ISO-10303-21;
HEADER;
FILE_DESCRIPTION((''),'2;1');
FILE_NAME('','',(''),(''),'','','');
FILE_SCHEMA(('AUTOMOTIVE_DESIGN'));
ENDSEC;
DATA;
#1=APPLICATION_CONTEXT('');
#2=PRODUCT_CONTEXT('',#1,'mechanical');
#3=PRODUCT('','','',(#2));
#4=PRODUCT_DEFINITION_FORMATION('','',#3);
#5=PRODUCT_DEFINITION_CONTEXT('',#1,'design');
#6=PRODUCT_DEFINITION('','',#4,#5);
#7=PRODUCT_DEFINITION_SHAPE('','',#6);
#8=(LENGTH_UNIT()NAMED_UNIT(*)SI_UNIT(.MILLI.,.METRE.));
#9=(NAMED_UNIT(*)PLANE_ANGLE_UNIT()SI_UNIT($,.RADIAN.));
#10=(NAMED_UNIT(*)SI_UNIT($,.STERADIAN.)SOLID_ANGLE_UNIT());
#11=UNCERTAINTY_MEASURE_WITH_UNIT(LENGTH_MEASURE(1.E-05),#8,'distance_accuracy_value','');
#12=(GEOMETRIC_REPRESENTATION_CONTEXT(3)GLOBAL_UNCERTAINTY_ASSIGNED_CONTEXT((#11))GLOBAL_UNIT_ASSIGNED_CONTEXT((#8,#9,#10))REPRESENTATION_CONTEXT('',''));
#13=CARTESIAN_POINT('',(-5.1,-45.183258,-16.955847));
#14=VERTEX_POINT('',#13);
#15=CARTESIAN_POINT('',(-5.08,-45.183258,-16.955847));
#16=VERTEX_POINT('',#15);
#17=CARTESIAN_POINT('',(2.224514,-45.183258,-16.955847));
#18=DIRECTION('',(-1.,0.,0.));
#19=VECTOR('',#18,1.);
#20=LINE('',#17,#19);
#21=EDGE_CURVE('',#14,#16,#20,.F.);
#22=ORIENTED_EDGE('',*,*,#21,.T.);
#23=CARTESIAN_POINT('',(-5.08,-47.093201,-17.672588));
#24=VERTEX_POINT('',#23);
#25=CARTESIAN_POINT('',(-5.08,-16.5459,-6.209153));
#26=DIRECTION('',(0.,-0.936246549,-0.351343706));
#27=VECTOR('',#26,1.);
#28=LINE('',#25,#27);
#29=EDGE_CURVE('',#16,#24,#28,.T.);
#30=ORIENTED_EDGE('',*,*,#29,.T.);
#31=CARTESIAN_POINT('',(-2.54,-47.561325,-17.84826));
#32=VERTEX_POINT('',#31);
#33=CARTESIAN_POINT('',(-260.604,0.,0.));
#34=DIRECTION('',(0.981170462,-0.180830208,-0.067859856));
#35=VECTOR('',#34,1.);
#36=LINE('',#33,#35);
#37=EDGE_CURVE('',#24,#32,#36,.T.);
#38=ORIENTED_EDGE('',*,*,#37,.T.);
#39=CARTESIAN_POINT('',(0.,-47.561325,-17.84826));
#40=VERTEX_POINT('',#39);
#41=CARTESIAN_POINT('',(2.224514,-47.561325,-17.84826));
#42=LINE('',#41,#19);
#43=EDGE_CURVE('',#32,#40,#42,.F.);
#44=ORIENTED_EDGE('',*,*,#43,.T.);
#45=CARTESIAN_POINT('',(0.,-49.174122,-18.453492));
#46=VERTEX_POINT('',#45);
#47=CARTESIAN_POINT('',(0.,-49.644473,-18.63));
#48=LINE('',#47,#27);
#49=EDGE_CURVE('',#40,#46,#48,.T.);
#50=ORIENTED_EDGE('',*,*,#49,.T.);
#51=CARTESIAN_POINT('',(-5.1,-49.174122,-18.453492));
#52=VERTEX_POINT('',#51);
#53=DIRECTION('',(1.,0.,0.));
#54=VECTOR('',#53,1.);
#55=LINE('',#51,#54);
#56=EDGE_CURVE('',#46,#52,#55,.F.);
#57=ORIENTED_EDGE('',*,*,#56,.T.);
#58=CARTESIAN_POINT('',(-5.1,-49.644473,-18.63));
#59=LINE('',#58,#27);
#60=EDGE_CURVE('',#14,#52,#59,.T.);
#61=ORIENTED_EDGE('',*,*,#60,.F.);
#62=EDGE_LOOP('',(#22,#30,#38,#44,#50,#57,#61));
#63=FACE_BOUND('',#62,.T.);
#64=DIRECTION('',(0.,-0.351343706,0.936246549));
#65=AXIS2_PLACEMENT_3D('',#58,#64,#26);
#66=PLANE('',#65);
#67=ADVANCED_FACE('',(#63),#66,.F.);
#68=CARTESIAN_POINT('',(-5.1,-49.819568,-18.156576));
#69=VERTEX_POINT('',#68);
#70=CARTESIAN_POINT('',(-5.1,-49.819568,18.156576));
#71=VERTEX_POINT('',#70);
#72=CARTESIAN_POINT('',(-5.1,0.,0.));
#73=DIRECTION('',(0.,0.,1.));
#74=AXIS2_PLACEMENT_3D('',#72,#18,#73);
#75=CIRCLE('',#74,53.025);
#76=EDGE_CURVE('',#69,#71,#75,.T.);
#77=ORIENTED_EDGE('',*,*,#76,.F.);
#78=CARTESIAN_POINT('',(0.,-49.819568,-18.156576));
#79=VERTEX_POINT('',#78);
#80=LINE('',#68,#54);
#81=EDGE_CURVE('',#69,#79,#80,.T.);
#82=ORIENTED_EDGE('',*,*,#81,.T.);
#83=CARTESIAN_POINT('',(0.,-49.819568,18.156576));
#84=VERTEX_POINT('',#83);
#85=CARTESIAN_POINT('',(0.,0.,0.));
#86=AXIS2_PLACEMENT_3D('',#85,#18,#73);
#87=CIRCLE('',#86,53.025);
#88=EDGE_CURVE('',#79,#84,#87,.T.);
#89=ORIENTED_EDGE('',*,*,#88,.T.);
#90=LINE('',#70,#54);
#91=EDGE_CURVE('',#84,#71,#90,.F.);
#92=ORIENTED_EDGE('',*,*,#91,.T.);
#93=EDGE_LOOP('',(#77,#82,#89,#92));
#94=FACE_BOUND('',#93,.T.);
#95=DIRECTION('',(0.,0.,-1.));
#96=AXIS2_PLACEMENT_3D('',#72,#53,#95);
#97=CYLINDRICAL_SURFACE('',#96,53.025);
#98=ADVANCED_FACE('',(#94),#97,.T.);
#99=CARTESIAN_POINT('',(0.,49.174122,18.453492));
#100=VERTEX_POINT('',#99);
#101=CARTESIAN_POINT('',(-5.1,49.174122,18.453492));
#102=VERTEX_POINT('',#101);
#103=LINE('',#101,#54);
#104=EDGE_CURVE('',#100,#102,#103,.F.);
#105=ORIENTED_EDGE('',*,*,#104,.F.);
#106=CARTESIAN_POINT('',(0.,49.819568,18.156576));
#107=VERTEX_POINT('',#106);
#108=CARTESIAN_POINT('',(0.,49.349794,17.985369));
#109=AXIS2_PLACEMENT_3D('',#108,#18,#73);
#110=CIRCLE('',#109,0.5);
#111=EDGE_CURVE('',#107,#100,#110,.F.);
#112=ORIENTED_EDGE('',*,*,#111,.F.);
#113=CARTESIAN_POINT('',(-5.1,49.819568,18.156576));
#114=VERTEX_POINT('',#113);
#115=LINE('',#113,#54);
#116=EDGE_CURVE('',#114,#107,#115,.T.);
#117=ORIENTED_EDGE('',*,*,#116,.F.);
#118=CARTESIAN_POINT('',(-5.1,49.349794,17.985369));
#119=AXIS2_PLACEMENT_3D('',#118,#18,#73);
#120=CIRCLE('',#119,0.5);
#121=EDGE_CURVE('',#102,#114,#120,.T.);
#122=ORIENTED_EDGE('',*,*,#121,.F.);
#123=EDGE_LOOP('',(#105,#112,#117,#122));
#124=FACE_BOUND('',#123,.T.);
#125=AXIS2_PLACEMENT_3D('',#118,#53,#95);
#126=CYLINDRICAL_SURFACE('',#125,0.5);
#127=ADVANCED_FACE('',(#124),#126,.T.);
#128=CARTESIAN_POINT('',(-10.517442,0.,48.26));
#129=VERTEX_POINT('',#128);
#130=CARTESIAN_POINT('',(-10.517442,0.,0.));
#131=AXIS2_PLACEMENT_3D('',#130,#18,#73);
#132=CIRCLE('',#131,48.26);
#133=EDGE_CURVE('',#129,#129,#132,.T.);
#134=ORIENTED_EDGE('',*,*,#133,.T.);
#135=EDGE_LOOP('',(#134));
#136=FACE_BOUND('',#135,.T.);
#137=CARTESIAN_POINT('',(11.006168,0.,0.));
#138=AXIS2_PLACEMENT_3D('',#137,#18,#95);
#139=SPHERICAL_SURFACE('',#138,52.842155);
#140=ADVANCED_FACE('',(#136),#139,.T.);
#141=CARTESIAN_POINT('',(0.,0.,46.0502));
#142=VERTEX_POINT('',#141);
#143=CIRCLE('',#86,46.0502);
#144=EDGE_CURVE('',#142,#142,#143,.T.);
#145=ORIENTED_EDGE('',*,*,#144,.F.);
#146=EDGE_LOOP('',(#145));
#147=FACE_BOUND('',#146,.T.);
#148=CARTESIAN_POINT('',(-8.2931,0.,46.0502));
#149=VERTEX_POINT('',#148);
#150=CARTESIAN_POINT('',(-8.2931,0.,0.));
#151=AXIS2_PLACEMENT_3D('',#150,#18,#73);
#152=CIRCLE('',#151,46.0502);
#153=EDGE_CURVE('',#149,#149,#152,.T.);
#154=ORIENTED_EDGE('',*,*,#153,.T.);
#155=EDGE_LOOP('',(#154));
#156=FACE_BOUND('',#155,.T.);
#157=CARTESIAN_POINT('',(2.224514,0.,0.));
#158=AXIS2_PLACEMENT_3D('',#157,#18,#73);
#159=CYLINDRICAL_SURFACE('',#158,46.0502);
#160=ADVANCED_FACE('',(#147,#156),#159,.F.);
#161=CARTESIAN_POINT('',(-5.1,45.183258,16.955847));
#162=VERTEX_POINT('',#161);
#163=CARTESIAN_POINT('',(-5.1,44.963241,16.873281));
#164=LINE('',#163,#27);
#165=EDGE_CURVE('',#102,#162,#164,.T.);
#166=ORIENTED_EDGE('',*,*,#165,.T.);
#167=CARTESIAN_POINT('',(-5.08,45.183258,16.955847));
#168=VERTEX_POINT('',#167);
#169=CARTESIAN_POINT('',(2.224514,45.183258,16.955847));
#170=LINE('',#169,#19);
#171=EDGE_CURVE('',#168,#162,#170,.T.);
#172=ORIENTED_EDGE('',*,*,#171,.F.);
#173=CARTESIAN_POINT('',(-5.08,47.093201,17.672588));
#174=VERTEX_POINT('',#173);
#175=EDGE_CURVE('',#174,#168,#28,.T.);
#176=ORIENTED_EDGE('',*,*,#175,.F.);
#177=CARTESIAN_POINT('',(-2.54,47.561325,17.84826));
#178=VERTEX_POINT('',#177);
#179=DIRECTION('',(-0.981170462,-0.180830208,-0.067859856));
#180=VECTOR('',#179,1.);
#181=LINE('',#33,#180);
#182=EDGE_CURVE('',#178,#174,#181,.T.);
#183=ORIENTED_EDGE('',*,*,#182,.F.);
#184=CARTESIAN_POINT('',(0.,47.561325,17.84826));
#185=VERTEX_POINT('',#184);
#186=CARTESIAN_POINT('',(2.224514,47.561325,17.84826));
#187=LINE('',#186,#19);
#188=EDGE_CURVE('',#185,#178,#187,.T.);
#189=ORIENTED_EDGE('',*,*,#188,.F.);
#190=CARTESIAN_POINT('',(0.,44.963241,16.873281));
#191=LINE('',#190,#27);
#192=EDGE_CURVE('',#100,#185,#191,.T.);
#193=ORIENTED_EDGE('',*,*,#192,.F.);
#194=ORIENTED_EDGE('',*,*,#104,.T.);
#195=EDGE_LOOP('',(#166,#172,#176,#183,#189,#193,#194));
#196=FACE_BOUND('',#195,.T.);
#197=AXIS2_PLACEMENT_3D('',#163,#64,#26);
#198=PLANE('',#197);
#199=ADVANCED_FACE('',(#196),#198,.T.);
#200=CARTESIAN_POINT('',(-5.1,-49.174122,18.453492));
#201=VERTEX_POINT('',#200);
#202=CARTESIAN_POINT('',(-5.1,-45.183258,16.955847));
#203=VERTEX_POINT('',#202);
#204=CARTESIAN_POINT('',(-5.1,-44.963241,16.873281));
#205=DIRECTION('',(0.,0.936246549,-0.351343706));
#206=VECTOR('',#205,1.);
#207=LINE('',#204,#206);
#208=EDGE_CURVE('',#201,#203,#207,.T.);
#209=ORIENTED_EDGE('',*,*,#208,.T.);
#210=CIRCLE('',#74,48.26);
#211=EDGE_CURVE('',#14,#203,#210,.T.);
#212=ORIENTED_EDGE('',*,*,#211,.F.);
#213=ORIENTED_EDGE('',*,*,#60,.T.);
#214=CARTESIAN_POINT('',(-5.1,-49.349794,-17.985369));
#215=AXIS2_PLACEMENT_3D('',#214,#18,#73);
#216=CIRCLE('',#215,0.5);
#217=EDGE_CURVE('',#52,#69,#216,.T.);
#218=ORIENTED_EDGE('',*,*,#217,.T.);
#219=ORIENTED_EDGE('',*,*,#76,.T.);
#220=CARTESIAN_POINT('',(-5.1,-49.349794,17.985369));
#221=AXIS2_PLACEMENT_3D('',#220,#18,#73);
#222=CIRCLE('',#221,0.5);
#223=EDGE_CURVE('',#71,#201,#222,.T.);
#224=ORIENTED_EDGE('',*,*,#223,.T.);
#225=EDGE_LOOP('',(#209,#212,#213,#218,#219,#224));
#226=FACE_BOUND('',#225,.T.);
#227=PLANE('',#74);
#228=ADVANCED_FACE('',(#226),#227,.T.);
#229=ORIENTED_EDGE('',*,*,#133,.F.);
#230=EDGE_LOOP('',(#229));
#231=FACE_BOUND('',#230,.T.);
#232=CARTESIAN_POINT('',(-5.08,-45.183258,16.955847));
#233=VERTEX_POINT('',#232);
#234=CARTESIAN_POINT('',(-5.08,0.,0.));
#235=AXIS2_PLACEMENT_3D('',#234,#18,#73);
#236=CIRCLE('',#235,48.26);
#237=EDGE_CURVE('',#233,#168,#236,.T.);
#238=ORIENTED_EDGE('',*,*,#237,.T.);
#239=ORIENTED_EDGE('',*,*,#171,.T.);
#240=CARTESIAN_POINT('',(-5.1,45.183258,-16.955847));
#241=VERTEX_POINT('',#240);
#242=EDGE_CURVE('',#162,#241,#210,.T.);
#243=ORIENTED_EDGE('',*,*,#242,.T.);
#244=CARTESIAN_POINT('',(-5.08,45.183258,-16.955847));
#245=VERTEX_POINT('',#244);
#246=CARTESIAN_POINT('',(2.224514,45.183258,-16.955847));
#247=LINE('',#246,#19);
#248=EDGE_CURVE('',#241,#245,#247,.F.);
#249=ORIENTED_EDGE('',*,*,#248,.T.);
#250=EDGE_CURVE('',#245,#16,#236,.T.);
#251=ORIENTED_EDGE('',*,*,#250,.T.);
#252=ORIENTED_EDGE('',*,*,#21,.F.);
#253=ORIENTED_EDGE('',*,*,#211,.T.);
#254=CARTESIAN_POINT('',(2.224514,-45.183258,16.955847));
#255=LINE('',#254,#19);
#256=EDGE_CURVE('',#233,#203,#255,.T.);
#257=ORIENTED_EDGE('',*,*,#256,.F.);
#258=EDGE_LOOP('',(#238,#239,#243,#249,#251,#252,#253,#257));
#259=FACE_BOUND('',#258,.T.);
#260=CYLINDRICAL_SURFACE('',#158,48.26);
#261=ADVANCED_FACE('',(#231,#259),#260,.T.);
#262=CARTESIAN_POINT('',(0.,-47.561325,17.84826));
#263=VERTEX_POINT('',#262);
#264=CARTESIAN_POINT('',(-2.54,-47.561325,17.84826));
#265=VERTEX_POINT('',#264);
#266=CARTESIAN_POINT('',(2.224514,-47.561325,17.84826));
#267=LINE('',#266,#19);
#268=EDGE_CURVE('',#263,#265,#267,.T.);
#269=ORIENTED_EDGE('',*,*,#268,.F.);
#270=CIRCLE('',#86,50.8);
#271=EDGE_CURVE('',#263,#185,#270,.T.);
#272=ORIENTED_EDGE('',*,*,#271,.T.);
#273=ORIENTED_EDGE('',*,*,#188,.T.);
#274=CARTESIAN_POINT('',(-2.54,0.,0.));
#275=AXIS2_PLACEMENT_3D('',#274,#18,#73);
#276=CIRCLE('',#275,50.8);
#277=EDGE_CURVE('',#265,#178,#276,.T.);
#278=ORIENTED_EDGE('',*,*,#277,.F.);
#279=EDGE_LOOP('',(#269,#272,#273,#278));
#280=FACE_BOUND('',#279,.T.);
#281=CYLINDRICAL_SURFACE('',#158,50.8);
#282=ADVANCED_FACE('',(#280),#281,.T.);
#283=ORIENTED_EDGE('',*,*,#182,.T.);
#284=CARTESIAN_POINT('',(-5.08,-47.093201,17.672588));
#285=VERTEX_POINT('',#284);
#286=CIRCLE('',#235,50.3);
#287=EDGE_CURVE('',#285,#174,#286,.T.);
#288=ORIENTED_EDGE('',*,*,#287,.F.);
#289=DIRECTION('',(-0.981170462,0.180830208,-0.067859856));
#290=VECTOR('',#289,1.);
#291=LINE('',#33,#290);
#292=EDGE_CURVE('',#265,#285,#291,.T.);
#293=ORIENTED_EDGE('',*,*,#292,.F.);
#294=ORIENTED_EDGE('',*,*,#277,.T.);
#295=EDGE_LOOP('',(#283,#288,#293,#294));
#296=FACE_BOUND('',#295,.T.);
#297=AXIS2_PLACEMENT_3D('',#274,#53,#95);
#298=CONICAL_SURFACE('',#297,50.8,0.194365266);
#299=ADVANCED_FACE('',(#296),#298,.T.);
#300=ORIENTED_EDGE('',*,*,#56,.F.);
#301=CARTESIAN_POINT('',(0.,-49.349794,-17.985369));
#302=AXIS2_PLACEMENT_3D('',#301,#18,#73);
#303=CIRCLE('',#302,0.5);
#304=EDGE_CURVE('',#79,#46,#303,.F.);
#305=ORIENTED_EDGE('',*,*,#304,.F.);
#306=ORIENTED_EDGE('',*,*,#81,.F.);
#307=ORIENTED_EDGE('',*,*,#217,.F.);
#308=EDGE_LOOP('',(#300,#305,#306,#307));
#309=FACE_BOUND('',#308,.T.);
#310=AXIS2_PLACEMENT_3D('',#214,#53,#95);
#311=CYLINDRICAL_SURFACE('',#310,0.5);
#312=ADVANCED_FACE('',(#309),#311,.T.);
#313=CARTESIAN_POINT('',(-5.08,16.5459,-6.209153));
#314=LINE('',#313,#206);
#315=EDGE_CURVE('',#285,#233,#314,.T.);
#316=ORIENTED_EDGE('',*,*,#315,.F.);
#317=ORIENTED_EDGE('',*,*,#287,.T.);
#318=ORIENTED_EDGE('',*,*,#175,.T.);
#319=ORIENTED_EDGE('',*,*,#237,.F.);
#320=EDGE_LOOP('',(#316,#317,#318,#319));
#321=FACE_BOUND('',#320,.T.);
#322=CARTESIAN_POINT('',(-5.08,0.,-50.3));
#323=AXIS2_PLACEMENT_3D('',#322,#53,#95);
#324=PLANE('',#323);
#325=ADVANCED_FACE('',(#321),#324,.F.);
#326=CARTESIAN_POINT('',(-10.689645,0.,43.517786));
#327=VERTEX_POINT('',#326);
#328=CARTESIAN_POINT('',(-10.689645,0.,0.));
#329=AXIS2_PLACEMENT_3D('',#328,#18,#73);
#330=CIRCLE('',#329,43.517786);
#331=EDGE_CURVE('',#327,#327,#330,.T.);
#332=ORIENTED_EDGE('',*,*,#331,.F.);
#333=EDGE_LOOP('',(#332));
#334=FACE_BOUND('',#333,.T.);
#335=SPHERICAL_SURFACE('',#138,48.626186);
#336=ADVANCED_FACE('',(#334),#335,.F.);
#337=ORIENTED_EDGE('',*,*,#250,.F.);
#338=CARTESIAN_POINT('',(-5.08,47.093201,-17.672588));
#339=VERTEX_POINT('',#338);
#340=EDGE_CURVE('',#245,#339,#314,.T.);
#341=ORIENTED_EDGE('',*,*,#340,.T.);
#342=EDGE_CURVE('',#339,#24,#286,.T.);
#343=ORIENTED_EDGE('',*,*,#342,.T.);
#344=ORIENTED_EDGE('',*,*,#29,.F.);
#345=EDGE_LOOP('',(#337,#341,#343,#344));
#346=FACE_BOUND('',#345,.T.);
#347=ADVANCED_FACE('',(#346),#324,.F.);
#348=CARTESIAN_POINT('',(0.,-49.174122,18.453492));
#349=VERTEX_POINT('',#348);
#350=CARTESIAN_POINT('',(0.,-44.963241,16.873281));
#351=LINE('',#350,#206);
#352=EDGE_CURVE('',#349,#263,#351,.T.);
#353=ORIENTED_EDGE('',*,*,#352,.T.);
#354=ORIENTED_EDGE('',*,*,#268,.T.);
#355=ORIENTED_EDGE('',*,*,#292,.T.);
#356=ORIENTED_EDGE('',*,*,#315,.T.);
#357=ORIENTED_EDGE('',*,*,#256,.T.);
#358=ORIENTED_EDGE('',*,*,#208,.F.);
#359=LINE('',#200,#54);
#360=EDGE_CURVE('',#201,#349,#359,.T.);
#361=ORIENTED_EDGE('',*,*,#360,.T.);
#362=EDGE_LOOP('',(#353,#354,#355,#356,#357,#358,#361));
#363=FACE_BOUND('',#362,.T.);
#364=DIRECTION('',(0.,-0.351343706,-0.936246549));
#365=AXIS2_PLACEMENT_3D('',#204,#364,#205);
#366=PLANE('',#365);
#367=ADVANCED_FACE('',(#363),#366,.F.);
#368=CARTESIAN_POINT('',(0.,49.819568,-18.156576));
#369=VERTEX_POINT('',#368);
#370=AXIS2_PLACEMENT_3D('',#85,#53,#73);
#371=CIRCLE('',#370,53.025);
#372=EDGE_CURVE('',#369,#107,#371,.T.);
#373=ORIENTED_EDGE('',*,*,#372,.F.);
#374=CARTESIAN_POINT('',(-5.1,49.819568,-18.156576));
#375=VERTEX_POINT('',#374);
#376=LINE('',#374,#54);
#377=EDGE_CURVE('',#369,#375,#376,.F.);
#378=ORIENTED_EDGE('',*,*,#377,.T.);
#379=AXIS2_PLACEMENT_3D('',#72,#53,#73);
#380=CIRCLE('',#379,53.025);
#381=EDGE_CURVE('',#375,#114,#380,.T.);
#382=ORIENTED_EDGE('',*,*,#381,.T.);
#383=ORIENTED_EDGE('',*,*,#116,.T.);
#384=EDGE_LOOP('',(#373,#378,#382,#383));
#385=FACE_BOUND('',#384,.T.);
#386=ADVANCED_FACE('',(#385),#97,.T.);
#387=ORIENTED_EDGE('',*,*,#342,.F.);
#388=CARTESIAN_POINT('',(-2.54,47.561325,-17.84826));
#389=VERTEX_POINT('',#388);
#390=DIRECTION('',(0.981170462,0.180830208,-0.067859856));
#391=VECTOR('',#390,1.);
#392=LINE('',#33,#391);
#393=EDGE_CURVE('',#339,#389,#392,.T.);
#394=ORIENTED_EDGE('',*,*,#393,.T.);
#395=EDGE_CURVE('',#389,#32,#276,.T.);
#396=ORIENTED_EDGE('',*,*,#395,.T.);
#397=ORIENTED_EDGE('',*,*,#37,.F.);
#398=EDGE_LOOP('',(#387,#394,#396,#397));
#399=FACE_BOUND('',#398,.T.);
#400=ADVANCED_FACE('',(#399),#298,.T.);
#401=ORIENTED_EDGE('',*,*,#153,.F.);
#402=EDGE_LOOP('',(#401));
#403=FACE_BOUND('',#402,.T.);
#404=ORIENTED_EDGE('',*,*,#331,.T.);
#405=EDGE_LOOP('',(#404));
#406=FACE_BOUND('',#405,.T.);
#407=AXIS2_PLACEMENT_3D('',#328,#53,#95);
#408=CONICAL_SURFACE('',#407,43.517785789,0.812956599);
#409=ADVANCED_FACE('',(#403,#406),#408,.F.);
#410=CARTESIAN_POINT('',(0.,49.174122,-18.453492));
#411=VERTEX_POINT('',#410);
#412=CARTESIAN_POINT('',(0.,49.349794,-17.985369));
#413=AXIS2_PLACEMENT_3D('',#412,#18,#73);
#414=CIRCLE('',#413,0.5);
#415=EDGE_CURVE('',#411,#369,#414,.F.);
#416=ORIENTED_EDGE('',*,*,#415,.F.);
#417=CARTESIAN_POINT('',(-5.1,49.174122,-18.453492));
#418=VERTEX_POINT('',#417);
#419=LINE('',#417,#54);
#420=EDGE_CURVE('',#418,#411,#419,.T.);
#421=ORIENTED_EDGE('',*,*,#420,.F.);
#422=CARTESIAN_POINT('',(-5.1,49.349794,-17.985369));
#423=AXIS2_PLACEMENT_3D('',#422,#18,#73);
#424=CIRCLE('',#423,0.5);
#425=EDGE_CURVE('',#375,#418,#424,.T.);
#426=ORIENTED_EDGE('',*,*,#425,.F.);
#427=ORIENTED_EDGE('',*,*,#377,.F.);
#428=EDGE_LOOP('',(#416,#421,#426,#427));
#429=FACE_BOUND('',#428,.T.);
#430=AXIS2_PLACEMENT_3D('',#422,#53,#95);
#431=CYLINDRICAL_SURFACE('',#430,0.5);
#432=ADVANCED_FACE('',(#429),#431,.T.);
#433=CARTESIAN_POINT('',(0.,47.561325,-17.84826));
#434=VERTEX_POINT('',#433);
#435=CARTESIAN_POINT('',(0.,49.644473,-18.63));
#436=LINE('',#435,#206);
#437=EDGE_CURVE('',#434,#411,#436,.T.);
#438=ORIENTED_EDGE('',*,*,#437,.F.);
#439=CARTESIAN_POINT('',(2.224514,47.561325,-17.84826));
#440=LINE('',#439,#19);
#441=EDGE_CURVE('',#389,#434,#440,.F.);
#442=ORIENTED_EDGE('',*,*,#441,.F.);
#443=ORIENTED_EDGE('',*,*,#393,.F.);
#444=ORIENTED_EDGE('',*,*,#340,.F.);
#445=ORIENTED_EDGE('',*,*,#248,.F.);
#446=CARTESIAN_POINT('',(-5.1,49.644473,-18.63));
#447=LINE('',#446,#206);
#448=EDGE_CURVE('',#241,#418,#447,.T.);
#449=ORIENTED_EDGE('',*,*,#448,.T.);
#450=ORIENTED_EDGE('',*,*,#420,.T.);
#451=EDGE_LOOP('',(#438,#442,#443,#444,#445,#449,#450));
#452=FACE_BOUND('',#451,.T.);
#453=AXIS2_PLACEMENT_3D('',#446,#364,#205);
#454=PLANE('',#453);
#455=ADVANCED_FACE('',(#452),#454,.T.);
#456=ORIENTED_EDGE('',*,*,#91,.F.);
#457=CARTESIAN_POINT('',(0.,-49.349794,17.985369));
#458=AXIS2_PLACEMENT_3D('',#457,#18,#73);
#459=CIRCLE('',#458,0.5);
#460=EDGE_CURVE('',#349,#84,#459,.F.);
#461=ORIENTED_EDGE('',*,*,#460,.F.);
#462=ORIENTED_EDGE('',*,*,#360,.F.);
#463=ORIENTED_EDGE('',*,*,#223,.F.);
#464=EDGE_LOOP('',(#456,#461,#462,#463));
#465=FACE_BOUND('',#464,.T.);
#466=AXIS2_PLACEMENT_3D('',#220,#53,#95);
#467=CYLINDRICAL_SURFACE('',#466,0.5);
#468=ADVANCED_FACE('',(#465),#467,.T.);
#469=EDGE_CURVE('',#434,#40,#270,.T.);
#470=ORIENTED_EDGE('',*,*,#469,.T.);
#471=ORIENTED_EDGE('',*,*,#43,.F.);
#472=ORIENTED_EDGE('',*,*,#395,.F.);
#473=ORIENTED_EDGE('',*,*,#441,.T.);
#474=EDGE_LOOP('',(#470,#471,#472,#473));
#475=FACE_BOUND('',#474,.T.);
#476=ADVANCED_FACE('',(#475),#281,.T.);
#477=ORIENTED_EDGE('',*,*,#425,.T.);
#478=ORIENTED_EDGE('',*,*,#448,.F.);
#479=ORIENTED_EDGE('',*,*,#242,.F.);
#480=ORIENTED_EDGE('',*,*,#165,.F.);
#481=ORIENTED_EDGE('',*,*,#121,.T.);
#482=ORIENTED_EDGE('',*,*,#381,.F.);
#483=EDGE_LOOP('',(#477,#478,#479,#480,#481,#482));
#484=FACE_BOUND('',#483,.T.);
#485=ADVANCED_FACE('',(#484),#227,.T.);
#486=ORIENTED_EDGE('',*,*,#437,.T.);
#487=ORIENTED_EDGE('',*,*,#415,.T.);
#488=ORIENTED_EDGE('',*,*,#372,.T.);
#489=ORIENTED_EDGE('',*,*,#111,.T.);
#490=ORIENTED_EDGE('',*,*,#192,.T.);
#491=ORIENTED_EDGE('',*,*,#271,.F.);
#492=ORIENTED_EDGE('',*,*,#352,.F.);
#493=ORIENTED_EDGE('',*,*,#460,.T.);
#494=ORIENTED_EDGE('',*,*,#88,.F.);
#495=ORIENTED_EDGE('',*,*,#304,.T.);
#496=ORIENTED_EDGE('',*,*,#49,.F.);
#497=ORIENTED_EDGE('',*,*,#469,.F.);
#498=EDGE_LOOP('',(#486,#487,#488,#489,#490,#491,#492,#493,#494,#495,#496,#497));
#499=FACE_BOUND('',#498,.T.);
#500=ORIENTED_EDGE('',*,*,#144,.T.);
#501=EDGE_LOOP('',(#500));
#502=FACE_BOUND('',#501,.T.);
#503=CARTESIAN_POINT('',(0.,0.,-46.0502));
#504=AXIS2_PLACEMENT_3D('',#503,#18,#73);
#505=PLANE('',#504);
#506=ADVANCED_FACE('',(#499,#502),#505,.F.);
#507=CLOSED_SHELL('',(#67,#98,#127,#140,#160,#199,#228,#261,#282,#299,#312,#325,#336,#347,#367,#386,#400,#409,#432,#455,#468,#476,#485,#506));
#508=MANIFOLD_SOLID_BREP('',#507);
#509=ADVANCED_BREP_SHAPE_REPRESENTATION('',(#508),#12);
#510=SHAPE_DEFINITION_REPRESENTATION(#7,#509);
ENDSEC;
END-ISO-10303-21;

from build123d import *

# Parameters (mm, degrees)
BOSS_EXTRUDE2_DEPTH  = 5.1
FILLET1_R            = 0.5
FILLET1_OF_MIRROR1_R = 0.5


with BuildPart() as part:
    # Sketch1 → Revolve1 (revolve)
    with BuildSketch(Plane(origin=(0, 0, 0), x_dir=(1, 0, 0), z_dir=(0, 1, 0))):
        with BuildLine():
            Line((0, 46.0502), (-8.2931, 46.0502))
            Line((-8.2931, 46.0502), (-10.689645397, 43.517785789))
            ThreePointArc((-10.689645397, 43.517785789), (-30.34289905, 25.58829166), (-37.620018589, 0))
            Line((-37.620018589, 0), (-41.835987512, 0))
            ThreePointArc((-41.835987512, 0), (-33.320163486, 28.765773565), (-10.517441644, 48.26))
            Line((-10.517441644, 48.26), (-5.08, 48.26))
            Line((-5.08, 48.26), (-5.08, 50.3))
            Line((-5.08, 50.3), (-2.54, 50.8))
            Line((-2.54, 50.8), (0, 50.8))
            Line((0, 50.8), (0, 46.0502))
        make_face()
    revolve(axis=Axis((2.224514483, 0, 0), (1, 0, 0)))

    # Sketch3 → Boss-Extrude2 (add)
    with BuildSketch(Plane(origin=(0, 0, 0), x_dir=(0, 0, -1), z_dir=(1, 0, 0))):
        with BuildLine():
            Line((-16.873281471, 44.963240513), (-18.63, 49.644473257))
            ThreePointArc((-18.63, 49.644473257), (0, 53.025), (18.63, 49.644473257))
            Line((18.63, 49.644473257), (16.873281471, 44.963240513))
            ThreePointArc((16.873281471, 44.963240513), (0, 48.025), (-16.873281471, 44.963240513))
        make_face()
    boss_extrude2 = extrude(amount=-BOSS_EXTRUDE2_DEPTH)

    # Fillet1
    fillet1_edges = [part.edges().sort_by_distance(p)[0] for p in [
        (-2.55, 49.644473257, -18.63),
        (-2.55, 49.644473257, 18.63),
    ]]
    fillet(fillet1_edges, radius=FILLET1_R)

    # Mirror1: Boss-Extrude2 across plane
    add(boss_extrude2.mirror(Plane.ZX))

    # Fillet1 of Mirror1
    fillet1_of_mirror1_edges = [part.edges().sort_by_distance(p)[0] for p in [
        (-2.55, -49.644473257, -18.63),
        (-2.55, -49.644473257, 18.63),
    ]]
    fillet(fillet1_of_mirror1_edges, radius=FILLET1_OF_MIRROR1_R)


solid = part.part
